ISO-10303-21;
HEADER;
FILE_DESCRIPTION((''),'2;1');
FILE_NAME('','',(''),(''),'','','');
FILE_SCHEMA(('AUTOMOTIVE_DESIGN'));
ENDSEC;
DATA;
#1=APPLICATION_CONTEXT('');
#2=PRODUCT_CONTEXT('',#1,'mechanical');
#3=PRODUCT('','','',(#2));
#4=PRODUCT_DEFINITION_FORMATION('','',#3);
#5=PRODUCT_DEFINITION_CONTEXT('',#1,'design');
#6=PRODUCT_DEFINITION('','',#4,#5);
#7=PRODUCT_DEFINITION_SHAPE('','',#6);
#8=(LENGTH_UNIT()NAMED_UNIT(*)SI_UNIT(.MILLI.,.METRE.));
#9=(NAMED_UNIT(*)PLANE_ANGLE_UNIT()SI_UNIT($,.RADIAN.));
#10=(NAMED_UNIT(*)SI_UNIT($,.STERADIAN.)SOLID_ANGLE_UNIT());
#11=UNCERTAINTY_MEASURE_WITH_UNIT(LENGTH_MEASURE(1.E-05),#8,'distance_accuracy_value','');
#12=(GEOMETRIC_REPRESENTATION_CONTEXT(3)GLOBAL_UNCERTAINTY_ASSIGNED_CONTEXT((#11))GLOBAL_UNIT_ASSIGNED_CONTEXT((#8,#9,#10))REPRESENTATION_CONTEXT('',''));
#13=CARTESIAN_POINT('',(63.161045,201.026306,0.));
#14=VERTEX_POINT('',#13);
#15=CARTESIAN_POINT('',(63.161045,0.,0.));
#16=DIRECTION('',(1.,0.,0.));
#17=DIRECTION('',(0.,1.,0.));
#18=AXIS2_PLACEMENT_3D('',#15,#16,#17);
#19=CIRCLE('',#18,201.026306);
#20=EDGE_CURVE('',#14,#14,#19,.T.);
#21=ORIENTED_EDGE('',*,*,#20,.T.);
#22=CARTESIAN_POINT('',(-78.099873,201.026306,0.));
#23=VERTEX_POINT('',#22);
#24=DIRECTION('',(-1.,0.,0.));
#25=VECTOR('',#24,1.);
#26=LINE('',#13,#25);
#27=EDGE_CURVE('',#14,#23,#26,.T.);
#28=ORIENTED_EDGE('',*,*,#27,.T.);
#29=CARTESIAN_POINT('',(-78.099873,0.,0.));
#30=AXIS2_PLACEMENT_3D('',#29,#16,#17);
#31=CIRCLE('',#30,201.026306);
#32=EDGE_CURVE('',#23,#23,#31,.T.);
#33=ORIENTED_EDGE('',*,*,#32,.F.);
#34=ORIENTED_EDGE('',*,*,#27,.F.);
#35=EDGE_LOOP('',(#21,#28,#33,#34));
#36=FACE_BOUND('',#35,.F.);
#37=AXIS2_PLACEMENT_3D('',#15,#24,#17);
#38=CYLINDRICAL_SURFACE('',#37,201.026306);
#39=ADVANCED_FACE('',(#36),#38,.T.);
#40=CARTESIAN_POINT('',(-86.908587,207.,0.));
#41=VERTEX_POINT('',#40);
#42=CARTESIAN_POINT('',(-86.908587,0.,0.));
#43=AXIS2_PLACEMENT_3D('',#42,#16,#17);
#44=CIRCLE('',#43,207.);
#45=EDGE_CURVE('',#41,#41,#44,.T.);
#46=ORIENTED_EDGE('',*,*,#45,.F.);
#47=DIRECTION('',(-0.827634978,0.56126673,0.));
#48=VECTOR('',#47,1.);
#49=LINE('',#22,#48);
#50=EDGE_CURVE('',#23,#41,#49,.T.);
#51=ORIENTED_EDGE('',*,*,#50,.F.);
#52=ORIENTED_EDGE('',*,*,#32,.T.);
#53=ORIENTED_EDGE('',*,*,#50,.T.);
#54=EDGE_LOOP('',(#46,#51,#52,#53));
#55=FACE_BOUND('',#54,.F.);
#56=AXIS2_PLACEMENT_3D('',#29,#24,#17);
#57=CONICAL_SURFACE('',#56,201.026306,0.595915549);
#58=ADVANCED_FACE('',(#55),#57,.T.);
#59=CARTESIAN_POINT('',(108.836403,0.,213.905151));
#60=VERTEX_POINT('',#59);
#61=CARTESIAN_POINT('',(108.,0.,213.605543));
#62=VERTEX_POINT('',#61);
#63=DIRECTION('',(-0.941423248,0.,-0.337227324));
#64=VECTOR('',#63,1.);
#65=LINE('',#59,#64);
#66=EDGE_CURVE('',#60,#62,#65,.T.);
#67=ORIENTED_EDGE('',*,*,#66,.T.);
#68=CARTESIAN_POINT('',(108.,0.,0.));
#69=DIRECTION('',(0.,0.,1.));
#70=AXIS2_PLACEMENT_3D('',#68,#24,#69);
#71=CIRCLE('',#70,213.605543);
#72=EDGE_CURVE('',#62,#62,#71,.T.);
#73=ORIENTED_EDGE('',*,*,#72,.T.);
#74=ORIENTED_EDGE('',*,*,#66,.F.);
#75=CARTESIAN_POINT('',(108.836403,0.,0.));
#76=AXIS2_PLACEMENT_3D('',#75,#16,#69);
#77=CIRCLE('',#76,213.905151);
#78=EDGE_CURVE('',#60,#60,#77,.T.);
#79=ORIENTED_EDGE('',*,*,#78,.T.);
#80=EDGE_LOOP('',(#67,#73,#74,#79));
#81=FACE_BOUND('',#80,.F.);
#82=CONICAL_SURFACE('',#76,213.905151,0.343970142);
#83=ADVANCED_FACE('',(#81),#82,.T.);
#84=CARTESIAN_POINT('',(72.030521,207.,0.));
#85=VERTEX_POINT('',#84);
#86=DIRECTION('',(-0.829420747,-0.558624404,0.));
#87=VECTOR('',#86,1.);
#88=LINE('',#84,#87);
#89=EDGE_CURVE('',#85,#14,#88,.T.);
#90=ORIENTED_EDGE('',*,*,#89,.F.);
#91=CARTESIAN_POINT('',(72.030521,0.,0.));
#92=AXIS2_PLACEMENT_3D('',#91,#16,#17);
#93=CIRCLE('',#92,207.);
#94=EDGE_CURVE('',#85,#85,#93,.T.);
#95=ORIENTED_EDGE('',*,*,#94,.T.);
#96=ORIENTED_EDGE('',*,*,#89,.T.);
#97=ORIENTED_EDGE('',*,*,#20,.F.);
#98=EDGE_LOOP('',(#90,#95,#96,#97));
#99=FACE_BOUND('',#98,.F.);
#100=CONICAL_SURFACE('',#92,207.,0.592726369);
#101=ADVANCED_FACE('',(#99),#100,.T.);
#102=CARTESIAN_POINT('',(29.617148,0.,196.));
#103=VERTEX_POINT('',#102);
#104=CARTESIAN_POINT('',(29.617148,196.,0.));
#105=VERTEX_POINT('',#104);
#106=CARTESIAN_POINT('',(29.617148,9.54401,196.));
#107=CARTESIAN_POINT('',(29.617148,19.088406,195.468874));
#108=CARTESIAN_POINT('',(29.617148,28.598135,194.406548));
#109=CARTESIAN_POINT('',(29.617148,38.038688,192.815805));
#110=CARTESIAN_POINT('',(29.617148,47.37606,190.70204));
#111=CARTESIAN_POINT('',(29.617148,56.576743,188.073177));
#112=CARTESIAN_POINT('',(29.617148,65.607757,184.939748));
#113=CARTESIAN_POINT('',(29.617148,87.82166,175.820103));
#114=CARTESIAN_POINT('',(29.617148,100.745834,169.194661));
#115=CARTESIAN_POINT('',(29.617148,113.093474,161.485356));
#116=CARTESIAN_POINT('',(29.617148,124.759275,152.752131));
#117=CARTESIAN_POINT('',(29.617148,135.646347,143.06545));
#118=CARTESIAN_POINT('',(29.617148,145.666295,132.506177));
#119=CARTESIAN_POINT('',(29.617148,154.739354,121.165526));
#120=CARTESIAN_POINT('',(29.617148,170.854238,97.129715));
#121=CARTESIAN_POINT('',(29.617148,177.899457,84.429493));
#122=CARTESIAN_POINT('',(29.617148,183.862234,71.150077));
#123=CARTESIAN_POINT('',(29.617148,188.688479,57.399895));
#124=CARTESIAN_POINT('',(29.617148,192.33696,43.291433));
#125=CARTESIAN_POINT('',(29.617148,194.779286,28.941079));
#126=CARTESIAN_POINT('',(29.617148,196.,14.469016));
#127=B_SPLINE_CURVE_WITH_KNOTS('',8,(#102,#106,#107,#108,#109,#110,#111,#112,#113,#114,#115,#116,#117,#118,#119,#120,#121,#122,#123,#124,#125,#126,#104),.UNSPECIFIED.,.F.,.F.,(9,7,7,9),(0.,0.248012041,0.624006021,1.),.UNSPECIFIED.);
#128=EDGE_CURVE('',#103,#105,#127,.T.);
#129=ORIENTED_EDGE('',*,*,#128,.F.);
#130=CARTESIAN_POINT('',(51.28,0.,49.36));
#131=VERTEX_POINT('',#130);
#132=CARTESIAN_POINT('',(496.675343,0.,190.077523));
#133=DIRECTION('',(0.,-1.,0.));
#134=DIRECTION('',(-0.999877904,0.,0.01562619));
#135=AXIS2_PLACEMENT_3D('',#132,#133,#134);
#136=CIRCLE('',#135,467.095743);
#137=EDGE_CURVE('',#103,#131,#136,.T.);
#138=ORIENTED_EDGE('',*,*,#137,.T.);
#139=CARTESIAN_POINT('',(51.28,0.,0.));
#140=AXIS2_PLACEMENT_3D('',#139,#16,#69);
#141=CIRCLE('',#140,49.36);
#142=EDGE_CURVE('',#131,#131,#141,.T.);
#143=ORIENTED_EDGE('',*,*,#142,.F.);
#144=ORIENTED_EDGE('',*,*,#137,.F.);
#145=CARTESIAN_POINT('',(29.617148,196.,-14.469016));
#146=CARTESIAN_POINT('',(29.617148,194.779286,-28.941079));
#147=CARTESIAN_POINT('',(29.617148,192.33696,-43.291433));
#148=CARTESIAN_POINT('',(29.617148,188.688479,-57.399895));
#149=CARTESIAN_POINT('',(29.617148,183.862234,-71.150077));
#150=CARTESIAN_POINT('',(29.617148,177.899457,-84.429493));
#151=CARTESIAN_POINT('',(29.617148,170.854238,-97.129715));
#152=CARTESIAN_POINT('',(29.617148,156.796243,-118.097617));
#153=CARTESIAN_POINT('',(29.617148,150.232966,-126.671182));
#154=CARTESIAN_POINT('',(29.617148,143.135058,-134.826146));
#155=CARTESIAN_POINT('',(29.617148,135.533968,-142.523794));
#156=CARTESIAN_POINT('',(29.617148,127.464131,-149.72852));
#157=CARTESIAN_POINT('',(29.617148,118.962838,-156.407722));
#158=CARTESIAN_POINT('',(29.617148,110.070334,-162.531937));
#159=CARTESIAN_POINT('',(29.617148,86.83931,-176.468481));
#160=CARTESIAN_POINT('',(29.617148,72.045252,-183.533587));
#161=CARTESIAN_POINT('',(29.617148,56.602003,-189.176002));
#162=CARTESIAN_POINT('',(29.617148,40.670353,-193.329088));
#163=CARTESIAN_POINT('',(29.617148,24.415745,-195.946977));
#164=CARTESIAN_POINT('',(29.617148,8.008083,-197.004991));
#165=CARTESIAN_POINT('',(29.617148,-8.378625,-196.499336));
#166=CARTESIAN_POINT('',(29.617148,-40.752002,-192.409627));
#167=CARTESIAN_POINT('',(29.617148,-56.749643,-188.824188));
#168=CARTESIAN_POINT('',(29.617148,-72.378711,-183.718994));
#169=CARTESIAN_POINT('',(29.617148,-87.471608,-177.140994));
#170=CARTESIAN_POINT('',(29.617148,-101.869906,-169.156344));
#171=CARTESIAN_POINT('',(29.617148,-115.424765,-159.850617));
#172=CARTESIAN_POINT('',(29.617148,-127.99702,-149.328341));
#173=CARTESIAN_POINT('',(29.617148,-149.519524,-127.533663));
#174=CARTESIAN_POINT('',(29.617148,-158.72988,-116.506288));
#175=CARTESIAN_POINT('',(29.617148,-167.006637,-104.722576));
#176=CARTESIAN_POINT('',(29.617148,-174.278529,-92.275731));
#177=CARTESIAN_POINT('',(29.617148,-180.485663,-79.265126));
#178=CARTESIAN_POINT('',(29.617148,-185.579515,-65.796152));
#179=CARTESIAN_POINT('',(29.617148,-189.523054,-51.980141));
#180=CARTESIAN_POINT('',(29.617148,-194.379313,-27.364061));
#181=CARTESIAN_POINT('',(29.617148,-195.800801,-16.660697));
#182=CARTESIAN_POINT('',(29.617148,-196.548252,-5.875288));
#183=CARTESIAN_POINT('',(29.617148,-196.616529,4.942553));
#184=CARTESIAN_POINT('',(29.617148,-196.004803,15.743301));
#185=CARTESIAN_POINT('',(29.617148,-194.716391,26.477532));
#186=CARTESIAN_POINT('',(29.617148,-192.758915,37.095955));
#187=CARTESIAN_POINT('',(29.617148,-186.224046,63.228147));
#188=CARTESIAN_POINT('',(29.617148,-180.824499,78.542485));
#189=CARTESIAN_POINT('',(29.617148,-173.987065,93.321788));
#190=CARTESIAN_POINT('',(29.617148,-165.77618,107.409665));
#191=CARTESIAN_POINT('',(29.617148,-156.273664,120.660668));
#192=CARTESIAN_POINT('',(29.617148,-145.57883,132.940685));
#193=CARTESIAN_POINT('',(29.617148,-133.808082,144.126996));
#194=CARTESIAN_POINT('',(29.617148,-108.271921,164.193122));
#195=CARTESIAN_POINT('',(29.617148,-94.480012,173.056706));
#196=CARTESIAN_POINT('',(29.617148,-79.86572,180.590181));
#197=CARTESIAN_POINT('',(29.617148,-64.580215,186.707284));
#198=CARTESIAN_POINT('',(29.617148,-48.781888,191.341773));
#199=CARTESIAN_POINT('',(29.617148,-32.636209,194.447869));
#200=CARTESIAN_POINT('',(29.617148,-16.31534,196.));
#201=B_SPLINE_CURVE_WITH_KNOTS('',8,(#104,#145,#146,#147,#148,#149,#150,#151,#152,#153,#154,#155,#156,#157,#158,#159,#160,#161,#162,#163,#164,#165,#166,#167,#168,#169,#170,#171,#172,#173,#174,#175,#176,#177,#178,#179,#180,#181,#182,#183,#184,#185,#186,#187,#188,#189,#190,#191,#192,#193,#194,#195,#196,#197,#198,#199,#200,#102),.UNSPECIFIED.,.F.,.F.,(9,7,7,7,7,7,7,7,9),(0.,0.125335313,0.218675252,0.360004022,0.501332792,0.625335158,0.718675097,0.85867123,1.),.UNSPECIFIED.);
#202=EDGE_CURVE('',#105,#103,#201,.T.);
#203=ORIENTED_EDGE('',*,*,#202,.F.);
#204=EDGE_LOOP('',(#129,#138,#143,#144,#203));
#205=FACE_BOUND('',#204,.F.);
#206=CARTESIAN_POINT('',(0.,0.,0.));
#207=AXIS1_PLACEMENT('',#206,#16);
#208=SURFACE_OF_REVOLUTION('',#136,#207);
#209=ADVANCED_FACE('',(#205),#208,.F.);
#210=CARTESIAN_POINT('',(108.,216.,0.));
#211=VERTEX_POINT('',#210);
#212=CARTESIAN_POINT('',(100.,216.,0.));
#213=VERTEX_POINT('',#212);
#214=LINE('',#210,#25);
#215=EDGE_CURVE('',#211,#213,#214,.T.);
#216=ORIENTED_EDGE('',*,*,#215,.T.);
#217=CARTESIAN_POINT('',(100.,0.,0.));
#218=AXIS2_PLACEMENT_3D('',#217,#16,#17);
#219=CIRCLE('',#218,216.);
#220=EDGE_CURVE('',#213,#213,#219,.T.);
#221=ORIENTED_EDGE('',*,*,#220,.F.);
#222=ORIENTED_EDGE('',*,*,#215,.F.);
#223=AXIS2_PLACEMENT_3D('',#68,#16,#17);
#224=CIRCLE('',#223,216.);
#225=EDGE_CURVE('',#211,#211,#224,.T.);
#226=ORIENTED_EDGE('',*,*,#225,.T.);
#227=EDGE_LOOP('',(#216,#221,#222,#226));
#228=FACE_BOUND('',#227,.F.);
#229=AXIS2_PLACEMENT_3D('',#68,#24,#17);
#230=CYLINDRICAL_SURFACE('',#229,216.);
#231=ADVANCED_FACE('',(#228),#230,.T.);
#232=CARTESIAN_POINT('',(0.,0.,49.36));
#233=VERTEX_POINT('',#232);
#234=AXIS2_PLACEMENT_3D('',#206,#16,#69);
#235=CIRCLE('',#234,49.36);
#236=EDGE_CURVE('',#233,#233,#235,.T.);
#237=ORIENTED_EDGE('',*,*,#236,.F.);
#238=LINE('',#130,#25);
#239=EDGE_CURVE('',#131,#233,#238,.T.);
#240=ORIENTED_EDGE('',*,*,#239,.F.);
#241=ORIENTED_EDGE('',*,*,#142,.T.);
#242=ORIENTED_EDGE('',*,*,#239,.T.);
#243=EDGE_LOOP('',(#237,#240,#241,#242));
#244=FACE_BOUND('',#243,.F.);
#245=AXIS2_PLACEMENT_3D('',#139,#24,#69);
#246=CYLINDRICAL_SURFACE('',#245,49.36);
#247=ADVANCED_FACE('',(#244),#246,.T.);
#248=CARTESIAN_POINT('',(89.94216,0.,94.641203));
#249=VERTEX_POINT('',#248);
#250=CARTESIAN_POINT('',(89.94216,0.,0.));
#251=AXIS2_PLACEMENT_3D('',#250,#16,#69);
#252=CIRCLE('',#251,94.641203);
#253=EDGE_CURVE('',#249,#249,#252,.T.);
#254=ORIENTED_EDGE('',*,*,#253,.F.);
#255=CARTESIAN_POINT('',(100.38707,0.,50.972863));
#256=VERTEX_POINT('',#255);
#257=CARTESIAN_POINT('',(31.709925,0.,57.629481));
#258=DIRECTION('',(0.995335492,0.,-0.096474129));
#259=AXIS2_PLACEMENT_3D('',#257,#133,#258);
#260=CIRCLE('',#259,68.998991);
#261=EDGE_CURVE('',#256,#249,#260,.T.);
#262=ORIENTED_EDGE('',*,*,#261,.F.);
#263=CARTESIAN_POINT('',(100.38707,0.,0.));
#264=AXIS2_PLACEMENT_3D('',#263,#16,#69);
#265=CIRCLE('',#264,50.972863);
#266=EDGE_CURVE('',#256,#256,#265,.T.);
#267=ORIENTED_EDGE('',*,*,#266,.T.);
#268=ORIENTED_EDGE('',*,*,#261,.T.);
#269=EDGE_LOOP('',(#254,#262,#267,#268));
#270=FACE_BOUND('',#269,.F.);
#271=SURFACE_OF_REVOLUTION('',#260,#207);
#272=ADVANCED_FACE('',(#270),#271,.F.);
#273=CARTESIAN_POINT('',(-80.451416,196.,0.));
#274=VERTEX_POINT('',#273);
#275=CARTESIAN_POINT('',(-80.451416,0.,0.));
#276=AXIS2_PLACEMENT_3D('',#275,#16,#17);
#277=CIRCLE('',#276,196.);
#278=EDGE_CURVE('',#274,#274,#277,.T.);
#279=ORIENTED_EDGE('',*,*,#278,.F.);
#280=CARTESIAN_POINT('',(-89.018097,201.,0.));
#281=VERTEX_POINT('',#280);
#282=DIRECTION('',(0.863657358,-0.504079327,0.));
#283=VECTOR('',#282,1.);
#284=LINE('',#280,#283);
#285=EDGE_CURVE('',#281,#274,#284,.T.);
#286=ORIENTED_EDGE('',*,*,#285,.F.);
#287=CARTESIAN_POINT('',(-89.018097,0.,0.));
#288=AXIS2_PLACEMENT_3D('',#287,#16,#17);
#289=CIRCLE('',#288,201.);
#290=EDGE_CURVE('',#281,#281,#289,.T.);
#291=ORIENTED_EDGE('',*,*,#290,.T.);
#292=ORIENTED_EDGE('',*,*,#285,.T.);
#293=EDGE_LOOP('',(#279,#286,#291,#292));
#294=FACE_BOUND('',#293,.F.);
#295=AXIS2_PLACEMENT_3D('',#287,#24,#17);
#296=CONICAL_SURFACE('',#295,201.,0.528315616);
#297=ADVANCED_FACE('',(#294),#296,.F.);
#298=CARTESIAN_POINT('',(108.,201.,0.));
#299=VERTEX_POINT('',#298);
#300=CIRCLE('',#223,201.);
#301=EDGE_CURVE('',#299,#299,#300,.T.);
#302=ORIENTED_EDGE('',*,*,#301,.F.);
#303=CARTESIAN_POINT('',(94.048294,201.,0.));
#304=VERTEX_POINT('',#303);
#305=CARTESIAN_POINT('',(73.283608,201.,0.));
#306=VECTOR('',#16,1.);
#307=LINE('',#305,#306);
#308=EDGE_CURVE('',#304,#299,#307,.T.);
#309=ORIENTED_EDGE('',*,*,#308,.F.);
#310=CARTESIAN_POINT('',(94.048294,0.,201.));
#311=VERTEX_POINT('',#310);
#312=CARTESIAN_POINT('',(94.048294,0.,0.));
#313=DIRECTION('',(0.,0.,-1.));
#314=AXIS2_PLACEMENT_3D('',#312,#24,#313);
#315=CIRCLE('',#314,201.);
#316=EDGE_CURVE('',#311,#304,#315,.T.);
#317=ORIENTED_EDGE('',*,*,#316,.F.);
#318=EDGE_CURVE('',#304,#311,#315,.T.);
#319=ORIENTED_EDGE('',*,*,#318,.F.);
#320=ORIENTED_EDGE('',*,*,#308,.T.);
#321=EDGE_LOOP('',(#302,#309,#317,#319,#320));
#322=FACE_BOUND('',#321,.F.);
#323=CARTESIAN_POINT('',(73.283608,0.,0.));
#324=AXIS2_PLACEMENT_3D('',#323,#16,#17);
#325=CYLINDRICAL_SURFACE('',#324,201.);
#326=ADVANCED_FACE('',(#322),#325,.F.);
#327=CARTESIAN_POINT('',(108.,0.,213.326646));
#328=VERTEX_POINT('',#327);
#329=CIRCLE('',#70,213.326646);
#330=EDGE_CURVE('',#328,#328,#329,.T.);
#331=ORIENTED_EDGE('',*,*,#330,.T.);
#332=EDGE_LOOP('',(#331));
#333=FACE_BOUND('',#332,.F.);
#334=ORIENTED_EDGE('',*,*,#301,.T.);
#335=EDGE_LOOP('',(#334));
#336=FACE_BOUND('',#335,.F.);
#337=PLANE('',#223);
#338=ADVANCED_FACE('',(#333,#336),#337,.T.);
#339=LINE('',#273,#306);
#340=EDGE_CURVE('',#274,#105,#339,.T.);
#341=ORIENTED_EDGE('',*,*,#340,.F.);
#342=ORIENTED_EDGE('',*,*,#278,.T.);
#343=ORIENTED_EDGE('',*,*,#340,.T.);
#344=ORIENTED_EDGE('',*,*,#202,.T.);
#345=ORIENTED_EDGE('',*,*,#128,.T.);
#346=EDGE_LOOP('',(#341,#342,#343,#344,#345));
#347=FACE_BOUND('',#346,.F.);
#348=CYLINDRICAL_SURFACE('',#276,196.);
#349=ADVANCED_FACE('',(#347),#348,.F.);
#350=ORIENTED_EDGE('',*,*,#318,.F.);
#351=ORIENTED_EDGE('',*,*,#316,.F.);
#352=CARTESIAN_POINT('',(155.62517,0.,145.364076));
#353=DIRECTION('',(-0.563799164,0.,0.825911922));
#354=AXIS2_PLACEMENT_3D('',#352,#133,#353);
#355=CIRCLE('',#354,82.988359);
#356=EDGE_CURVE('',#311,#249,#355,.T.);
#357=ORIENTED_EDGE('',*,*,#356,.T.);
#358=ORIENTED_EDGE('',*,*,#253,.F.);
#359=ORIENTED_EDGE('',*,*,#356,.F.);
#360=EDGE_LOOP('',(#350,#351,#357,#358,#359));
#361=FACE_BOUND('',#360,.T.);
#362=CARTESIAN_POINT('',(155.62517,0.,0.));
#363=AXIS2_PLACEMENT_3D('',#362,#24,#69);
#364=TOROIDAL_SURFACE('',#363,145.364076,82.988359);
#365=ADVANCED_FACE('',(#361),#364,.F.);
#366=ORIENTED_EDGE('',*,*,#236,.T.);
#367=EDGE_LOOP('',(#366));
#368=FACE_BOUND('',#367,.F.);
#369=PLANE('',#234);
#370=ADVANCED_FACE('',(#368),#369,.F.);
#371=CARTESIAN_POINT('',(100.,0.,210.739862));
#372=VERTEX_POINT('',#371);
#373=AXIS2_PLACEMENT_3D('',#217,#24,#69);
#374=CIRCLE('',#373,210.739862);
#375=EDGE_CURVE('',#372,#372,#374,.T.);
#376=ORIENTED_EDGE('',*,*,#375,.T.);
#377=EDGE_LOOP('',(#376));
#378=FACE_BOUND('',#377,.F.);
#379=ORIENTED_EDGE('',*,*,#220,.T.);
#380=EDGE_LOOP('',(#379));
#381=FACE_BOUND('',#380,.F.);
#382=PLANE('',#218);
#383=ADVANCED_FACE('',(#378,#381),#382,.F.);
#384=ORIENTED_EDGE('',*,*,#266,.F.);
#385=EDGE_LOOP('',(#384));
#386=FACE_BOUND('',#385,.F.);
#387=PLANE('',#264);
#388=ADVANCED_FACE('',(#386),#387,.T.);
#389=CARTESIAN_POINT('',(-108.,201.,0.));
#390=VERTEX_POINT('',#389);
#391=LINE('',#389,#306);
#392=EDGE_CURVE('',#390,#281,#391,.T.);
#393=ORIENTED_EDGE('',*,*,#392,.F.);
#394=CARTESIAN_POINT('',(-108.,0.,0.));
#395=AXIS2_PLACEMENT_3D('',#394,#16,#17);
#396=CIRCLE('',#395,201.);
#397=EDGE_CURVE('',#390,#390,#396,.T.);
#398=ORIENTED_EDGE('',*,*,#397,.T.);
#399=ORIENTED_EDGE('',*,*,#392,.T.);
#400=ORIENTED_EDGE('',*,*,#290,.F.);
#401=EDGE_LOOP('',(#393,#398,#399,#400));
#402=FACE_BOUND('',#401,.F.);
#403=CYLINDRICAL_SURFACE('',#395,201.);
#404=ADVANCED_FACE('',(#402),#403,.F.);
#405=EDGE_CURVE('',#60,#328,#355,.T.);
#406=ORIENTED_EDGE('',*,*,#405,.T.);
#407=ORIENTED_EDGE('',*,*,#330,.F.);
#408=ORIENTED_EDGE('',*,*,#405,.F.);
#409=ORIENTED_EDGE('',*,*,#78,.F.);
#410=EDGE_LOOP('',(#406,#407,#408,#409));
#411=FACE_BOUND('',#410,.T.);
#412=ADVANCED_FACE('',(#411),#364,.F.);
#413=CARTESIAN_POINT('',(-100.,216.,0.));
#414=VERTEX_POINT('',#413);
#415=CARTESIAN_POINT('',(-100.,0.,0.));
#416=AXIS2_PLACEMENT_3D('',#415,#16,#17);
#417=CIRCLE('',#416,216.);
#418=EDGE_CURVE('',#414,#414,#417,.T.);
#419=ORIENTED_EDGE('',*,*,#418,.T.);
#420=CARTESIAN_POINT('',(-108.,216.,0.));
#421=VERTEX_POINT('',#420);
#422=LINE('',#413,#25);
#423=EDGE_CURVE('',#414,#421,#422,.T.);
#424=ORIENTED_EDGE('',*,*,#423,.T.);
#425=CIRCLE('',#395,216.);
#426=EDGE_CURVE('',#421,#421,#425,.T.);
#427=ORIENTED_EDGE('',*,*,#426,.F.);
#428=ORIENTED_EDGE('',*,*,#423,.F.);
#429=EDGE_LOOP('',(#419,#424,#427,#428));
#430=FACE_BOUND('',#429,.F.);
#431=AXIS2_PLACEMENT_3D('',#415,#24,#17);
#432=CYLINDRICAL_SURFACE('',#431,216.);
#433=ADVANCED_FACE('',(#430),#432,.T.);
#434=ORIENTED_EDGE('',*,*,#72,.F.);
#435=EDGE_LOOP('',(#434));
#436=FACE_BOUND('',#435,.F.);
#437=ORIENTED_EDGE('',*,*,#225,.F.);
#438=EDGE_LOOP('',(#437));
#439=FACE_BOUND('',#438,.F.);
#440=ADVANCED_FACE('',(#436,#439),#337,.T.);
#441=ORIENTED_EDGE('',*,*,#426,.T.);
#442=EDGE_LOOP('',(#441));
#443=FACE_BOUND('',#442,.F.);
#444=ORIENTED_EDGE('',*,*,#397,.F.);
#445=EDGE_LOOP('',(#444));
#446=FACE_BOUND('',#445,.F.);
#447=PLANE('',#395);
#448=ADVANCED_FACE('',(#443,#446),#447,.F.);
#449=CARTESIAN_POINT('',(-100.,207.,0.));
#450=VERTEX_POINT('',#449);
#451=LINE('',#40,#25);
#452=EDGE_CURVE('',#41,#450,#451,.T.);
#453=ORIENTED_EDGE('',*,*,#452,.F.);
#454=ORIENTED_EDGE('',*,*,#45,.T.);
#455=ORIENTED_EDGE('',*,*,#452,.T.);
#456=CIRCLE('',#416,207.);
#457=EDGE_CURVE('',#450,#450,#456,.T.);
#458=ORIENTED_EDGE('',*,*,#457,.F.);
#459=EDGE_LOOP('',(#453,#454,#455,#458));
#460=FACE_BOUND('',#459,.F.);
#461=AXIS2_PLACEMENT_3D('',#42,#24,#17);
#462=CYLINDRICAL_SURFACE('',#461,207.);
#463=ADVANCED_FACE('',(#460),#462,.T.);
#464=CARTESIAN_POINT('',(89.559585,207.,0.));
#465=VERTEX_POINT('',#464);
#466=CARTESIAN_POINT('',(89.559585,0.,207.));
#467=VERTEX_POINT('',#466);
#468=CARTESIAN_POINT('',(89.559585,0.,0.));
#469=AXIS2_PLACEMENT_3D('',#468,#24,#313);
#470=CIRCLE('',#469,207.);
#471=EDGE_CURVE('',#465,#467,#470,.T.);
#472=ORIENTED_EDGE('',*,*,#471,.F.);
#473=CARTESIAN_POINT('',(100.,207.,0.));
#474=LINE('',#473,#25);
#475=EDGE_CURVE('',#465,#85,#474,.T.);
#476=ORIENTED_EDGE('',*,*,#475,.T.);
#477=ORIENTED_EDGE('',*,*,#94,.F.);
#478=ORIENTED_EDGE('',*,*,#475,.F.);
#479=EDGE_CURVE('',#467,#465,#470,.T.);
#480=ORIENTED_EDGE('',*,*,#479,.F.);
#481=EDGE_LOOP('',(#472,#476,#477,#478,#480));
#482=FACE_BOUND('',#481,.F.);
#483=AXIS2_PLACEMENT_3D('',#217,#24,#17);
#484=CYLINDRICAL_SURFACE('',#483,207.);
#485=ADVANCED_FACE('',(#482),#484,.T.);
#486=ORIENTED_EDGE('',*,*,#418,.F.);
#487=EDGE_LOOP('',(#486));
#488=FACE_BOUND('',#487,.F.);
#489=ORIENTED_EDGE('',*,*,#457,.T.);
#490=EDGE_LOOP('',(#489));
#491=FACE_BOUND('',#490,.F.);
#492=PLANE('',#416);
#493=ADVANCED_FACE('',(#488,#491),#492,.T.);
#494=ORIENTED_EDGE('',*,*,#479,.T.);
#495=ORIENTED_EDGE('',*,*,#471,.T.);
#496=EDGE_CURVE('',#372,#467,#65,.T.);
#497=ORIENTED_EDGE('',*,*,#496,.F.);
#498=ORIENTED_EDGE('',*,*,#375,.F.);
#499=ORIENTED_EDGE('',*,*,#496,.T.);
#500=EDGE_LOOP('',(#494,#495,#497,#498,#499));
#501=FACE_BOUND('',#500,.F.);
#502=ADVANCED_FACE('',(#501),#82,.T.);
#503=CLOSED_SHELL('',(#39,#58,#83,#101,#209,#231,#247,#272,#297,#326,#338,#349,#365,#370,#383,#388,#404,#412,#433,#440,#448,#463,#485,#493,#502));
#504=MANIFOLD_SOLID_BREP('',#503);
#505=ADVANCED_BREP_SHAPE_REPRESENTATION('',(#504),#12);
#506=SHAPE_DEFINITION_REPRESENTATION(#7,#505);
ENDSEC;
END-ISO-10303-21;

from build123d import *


with BuildPart() as part:
    # Sketch → Revolution (revolve)
    with BuildSketch(Plane.XY):
        Polygon((-28.515713, 196), (28.515713, 196), (65.398537, 196), (73.283608, 201), (108, 201), (108, 216), (100, 216), (100, 207), (72.030521, 207), (63.161045, 201.026306), (-29.824583, 201.026306), (-78.099873, 201.026306), (-86.908587, 207), (-100, 207), (-100, 216), (-108, 216), (-108, 201), (-99.298126, 201), (-89.018097, 201), (-80.451416, 196), align=None)
    revolve(axis=Axis((0, 0, 0), (1, 0, 0)))

    # Sketch001 → Revolution001 (revolve)
    with BuildSketch(Plane.XZ):
        with BuildLine():
            Line((0, 0), (100.38707, 0))
            Line((100.38707, 0), (100.38707, 50.972863))
            ThreePointArc((100.38707, 50.972863), (98.816025, 73.680404), (89.94216, 94.641203))
            ThreePointArc((108.836403, 213.905151), (73.659034, 158.34946), (89.94216, 94.641203))
            Line((108.836403, 213.905151), (62.693928, 197.37645))
            Line((62.693928, 197.37645), (29.636631, 197.37645))
            ThreePointArc((29.636631, 197.37645), (34.494433, 122.49617), (51.28, 49.36))
            Line((51.28, 49.36), (0, 49.36))
            Line((0, 49.36), (0, 0))
        make_face()
    revolve(axis=Axis((0, 0, 0), (1, 0, 0)))


solid = part.part
